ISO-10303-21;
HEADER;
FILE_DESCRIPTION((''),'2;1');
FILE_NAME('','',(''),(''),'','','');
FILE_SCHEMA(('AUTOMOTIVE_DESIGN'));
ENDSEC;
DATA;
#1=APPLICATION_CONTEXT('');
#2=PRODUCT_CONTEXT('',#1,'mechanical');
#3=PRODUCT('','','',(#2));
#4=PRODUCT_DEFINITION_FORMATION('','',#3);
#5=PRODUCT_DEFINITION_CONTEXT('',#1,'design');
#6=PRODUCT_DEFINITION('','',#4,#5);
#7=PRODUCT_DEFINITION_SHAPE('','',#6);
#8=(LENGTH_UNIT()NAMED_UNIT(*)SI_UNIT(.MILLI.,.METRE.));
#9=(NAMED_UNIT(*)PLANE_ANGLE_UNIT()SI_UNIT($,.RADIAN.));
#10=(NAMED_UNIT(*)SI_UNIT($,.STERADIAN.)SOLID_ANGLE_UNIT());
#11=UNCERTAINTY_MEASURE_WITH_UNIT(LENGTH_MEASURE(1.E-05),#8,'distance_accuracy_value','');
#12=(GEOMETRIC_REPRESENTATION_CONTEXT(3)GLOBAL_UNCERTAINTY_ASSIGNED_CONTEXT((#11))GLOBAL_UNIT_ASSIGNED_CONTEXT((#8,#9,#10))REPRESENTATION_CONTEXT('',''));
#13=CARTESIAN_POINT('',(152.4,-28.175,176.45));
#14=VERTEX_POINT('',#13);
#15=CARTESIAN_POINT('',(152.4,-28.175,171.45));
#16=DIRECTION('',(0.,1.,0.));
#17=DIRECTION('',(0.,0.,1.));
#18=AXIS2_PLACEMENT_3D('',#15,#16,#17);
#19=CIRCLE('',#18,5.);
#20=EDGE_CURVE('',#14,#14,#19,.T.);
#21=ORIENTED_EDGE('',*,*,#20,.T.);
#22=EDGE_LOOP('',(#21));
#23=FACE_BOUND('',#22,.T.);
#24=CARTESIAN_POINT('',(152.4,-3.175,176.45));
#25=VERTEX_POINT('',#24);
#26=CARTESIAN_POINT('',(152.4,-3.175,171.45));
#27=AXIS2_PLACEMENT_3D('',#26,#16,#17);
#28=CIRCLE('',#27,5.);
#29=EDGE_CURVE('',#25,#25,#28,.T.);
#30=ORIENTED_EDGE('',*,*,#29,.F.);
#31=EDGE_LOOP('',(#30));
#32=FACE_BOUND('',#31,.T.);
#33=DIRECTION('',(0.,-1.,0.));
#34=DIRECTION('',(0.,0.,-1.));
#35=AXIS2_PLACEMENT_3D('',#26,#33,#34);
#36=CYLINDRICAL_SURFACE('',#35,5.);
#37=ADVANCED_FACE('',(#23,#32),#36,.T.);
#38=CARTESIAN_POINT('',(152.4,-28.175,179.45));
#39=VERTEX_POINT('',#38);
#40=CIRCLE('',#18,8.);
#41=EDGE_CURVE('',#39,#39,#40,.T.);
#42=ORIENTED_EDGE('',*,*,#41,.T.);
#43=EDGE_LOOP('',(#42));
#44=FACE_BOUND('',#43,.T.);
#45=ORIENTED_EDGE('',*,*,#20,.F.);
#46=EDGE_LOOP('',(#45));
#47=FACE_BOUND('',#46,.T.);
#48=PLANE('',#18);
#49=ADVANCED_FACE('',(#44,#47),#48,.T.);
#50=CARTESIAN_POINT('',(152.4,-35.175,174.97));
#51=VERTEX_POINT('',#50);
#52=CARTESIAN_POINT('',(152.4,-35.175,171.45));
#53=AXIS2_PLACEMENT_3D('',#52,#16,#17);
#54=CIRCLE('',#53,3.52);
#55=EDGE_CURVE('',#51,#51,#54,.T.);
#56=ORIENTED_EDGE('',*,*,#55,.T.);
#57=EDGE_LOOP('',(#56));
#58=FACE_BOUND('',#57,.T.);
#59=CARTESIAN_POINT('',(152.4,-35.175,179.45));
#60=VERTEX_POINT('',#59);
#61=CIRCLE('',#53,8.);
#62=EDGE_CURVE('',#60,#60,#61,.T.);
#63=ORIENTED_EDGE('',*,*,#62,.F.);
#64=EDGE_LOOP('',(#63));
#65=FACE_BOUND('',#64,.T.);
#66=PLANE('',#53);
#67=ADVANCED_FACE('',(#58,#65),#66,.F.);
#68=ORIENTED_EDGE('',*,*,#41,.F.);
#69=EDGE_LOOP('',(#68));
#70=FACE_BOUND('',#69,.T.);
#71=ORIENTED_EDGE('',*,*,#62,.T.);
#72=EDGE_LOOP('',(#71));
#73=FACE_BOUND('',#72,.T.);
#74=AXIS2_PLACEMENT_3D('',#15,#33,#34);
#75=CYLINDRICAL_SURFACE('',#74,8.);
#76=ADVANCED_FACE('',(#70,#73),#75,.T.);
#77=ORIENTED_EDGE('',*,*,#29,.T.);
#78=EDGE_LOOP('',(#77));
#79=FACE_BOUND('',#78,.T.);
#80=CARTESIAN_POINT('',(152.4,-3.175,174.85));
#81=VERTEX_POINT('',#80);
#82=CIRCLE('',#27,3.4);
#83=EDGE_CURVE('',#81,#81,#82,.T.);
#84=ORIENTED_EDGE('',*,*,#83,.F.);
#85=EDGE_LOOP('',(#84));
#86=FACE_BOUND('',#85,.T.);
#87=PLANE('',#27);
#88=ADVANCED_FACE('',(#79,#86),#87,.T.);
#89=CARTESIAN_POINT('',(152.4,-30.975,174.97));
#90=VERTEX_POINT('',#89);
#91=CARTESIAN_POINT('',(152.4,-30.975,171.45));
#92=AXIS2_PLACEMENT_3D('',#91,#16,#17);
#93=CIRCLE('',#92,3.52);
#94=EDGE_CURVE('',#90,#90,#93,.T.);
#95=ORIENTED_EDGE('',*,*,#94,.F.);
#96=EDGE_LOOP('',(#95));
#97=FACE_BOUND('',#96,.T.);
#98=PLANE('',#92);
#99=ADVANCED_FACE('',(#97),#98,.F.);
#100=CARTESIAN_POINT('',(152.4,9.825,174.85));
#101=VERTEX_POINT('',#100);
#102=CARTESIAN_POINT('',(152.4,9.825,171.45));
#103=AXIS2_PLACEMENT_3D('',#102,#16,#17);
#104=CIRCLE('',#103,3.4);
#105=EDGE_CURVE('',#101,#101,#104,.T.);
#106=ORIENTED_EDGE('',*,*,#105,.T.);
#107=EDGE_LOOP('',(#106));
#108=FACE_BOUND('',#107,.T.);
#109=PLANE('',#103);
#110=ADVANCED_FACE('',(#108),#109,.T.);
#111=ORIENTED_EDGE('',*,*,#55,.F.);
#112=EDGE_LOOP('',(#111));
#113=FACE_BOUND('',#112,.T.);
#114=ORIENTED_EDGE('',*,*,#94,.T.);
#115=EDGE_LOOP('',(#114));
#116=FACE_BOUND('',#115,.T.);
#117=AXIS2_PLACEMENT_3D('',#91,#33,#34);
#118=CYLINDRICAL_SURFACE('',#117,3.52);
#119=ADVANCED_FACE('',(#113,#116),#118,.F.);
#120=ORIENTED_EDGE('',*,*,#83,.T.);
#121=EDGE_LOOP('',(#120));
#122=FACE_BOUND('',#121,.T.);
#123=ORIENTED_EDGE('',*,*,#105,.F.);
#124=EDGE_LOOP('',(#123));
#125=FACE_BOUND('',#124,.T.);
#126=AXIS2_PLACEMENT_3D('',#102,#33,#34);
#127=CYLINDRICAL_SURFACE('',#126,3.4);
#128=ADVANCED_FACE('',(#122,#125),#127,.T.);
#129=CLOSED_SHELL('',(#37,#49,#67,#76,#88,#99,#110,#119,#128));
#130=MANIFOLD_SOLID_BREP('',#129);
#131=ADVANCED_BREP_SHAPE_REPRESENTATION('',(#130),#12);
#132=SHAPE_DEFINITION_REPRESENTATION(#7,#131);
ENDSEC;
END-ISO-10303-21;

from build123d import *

# Parameters (mm, degrees)
ROSCA_START  = -3.175
CROQUIS1_R   = 3.4
ROSCA_DEPTH  = 13
HOMBRO_START = -28.175
CROQUIS2_R   = 5
HOMBRO_DEPTH = 25
CABEZA_START = -35.175
CROQUIS3_R   = 8
CABEZA_DEPTH = 7
ALLEN_START  = -35.175
CROQUIS4_R   = 3.52
ALLEN_DEPTH  = 4.2


with BuildPart() as part:
    # Croquis1 → Rosca (new body)
    with BuildSketch(Plane(origin=(0, 0, 0), x_dir=(1, 0, 0), z_dir=(0, 1, 0)).offset(ROSCA_START)):
        with Locations(Location((152.4, -171.45, 0), (0, 0, 270))):
            Circle(CROQUIS1_R)
    extrude(amount=ROSCA_DEPTH)

    # Croquis2 → Hombro (add)
    with BuildSketch(Plane(origin=(0, 0, 0), x_dir=(1, 0, 0), z_dir=(0, 1, 0)).offset(HOMBRO_START)):
        with Locations(Location((152.4, -171.45, 0), (0, 0, 270))):
            Circle(CROQUIS2_R)
    extrude(amount=HOMBRO_DEPTH)

    # Croquis3 → Cabeza (add)
    with BuildSketch(Plane(origin=(0, 0, 0), x_dir=(1, 0, 0), z_dir=(0, 1, 0)).offset(CABEZA_START)):
        with Locations(Location((152.4, -171.45, 0), (0, 0, 270))):
            Circle(CROQUIS3_R)
    extrude(amount=CABEZA_DEPTH)

    # Croquis4 → Allen (cut)
    with BuildSketch(Plane(origin=(0, 0, 0), x_dir=(1, 0, 0), z_dir=(0, 1, 0)).offset(ALLEN_START)):
        with Locations(Location((152.4, -171.45, 0), (0, 0, 270))):
            Circle(CROQUIS4_R)
    extrude(amount=ALLEN_DEPTH, mode=Mode.SUBTRACT)


solid = part.part
